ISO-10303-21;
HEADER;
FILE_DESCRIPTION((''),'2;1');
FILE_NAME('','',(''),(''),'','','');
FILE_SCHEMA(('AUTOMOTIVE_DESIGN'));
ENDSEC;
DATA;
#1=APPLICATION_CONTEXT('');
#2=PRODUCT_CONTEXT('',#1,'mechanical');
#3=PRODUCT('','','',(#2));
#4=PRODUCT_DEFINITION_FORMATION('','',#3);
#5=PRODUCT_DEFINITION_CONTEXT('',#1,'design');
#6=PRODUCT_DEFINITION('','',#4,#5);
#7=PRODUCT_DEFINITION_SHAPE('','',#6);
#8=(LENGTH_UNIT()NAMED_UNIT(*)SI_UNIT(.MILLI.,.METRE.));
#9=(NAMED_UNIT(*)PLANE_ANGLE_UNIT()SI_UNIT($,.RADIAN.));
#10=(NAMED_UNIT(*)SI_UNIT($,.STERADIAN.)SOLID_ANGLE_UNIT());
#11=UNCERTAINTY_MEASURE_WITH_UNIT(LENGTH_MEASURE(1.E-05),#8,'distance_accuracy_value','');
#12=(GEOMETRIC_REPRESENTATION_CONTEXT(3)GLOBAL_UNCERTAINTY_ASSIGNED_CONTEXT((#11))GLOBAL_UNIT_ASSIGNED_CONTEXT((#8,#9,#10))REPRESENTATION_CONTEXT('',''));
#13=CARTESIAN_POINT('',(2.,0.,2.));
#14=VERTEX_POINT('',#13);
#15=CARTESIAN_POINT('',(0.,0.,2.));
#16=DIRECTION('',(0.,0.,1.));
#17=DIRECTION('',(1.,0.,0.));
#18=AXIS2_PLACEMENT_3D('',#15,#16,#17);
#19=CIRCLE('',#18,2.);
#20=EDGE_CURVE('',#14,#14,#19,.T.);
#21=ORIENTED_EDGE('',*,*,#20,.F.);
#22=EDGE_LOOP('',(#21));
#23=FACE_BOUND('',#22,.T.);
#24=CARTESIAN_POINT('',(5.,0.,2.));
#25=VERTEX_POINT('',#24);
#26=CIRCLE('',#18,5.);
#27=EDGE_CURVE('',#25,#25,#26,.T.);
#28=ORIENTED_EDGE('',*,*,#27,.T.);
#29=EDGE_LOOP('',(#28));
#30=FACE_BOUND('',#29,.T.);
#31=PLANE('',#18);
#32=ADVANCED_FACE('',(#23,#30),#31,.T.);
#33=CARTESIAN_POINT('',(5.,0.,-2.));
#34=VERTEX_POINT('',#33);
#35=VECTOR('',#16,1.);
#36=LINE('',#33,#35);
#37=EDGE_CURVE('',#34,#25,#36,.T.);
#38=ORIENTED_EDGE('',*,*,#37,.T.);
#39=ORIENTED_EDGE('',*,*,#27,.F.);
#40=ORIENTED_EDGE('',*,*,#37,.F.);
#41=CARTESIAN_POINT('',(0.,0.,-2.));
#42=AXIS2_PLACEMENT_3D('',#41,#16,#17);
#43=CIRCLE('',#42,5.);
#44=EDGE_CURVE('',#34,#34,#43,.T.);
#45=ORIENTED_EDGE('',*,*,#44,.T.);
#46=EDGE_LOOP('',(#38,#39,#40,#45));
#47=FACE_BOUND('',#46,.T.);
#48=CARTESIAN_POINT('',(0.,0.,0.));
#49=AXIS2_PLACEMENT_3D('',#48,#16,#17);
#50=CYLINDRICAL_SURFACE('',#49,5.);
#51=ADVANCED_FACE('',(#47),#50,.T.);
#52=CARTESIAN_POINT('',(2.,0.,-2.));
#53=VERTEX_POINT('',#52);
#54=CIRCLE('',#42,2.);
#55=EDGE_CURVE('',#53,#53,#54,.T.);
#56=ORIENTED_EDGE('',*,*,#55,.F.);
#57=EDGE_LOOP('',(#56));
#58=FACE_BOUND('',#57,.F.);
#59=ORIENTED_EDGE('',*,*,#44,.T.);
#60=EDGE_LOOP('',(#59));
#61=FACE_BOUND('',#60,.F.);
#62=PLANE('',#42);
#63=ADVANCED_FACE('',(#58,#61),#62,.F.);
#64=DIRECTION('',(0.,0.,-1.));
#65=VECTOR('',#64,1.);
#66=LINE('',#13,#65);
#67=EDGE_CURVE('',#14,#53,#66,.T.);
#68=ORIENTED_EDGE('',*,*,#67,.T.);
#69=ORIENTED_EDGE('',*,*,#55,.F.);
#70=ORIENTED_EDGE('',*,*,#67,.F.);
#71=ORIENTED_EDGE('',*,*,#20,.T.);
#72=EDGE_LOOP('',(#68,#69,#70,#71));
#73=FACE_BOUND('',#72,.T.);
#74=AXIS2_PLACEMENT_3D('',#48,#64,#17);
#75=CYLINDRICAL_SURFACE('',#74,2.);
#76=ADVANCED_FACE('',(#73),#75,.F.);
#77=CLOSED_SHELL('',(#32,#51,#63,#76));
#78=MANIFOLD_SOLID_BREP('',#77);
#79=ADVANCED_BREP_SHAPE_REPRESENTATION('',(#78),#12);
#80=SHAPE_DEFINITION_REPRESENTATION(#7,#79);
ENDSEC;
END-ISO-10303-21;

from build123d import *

# Parameters (mm, degrees)
SKETCH1_R           = 5
SKETCH1_R_2         = 2
BOSS_EXTRUDE1_DEPTH = 2


with BuildPart() as part:
    # Sketch1 → Boss-Extrude1 (new body, symmetric)
    with BuildSketch(Plane.XY):
        Circle(SKETCH1_R)
        Circle(SKETCH1_R_2, mode=Mode.SUBTRACT)
    extrude(amount=BOSS_EXTRUDE1_DEPTH, both=True)


solid = part.part
